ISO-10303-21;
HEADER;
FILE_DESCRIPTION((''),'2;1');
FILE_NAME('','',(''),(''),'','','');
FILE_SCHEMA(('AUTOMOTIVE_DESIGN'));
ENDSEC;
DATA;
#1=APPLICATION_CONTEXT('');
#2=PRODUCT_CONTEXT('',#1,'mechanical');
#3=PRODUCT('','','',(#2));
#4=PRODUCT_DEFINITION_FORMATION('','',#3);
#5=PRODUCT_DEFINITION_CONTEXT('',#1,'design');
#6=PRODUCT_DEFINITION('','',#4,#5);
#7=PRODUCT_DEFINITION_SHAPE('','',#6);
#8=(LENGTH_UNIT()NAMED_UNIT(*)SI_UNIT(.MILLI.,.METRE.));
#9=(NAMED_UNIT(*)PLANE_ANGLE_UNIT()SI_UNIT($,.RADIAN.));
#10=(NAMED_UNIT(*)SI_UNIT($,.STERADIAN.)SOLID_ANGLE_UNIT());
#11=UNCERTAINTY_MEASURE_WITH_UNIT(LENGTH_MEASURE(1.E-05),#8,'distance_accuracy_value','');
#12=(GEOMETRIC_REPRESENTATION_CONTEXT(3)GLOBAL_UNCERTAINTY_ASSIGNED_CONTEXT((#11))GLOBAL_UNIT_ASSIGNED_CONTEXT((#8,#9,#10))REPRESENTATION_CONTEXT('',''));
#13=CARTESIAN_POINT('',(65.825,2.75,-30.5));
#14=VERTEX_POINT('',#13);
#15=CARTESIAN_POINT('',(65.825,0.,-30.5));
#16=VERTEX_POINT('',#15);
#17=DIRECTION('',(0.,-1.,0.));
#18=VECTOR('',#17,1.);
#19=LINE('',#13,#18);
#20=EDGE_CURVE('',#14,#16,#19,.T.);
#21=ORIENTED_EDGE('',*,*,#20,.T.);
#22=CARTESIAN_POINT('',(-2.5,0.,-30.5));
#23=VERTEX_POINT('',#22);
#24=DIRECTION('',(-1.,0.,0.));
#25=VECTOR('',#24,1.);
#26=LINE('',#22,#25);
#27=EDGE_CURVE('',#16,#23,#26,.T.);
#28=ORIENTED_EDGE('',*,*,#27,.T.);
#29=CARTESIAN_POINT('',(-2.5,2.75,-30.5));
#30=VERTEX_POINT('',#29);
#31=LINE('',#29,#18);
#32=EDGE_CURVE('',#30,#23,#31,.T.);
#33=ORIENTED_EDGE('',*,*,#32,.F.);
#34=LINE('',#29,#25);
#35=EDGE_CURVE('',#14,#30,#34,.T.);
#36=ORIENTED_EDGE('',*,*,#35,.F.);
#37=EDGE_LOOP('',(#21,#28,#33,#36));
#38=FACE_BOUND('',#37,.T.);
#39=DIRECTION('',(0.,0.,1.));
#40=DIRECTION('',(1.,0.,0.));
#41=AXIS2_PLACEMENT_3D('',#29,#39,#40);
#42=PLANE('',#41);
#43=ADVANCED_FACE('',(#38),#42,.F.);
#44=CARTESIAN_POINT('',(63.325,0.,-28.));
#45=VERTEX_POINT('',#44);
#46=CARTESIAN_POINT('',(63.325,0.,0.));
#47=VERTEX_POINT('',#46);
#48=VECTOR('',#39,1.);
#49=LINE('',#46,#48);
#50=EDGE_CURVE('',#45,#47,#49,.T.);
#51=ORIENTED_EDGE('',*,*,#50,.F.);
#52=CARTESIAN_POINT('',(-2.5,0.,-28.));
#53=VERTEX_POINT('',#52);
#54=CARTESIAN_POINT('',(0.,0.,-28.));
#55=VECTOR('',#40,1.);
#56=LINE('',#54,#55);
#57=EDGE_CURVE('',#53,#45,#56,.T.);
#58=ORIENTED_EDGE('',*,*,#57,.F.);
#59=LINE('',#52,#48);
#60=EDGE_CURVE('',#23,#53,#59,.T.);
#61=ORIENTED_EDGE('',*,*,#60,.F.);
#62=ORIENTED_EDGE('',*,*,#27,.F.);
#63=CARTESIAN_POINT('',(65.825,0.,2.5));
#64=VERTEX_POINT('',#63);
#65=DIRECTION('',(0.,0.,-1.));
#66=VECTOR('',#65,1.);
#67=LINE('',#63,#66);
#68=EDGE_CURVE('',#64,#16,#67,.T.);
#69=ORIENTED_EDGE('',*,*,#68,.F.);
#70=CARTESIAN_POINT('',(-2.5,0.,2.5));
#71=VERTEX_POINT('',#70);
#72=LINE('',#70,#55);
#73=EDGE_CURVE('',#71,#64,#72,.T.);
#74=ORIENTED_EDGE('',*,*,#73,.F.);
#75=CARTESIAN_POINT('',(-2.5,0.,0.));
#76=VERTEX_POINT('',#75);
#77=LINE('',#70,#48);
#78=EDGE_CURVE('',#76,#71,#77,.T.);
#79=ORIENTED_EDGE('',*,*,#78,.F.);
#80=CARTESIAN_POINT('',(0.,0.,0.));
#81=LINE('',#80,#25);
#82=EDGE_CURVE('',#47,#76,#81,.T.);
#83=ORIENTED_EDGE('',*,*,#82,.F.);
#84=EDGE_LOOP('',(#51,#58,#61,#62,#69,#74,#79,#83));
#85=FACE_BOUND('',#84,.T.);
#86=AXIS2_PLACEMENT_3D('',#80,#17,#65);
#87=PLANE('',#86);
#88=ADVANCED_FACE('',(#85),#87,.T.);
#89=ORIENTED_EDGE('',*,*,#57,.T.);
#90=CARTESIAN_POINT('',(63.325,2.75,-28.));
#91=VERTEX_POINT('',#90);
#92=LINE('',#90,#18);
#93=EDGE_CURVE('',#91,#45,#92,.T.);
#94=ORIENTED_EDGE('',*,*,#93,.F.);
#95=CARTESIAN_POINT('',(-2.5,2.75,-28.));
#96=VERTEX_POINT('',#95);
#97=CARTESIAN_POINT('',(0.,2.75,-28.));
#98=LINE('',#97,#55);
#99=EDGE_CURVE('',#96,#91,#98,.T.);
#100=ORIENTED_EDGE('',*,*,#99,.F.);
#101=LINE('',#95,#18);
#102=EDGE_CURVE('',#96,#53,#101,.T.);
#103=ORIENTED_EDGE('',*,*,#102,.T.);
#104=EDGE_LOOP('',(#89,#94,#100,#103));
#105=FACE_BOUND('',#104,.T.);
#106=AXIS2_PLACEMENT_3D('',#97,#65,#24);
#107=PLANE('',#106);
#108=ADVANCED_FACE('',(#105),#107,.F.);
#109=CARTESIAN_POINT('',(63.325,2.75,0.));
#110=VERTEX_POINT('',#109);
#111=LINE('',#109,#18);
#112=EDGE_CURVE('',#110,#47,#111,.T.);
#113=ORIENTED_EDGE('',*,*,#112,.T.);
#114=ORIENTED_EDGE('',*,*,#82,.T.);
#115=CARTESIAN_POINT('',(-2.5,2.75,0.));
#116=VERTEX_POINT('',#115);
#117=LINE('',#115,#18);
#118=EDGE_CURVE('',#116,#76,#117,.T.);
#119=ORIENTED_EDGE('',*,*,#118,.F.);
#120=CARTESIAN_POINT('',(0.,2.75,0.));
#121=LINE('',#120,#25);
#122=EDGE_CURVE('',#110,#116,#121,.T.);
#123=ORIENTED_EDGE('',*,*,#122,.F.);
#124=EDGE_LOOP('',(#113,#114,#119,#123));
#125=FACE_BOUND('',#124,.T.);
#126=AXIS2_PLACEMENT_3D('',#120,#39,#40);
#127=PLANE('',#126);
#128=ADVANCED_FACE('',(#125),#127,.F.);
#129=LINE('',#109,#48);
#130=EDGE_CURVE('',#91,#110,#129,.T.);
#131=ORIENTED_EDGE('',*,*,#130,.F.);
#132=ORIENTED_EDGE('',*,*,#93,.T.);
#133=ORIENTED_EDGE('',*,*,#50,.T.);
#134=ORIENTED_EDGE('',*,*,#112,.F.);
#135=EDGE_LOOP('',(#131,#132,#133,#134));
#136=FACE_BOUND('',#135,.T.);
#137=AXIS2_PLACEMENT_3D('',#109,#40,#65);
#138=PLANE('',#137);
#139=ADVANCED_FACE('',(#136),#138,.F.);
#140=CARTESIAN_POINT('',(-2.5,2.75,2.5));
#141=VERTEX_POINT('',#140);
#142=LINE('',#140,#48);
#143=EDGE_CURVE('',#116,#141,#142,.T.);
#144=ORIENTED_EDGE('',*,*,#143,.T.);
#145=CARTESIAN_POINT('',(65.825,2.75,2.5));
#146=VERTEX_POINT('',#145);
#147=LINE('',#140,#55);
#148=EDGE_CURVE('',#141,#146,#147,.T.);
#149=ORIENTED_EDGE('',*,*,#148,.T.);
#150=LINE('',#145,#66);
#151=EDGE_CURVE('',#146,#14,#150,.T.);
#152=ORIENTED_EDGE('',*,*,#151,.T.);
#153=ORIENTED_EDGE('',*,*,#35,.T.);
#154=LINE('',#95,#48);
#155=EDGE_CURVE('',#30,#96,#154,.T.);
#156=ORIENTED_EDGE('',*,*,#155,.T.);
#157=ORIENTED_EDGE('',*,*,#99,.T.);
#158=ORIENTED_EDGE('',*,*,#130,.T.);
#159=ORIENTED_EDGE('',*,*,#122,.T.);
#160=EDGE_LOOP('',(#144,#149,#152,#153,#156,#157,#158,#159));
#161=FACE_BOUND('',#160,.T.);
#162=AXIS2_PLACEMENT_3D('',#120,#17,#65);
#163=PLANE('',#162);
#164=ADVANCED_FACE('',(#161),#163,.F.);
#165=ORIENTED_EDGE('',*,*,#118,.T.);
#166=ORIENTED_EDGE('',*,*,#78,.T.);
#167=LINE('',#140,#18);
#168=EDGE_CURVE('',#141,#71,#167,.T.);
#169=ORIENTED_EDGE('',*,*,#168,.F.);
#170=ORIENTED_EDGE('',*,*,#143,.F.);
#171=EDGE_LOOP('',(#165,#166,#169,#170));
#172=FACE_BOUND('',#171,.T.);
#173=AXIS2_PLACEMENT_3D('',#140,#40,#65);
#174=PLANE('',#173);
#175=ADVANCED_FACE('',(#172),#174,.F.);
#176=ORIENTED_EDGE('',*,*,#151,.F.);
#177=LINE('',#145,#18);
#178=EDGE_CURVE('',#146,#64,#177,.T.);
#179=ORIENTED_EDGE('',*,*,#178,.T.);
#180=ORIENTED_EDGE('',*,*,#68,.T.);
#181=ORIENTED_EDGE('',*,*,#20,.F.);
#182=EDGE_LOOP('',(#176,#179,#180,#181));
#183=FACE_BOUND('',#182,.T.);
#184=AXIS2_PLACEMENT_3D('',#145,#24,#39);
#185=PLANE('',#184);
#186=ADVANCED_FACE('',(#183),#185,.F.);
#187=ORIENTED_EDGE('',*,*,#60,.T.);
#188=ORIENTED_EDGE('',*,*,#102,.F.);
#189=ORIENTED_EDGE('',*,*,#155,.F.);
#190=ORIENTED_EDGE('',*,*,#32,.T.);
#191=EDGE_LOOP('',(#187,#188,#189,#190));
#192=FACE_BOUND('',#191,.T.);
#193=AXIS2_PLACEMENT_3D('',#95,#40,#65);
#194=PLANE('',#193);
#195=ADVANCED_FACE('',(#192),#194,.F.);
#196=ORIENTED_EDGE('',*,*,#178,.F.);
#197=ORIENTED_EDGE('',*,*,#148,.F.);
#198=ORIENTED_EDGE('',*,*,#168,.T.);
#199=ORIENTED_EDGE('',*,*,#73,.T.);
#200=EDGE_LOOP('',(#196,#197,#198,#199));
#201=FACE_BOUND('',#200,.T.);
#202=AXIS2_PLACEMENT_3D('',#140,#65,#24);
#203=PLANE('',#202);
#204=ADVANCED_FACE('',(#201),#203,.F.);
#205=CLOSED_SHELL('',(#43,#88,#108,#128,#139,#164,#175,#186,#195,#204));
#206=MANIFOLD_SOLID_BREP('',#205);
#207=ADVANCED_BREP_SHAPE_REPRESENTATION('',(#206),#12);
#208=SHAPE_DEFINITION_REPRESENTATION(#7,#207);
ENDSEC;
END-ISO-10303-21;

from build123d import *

# Parameters (mm, degrees)
BOSS_EXTRUDE1_DEPTH = 2.75


with BuildPart() as part:
    # Sketch1 → Boss-Extrude1 (new body)
    with BuildSketch(Plane(origin=(0, 0, 0), x_dir=(1, 0, 0), z_dir=(0, 1, 0))):
        Polygon((-2.5, -2.5), (-2.5, 0), (0, 0), (63.325, 0), (63.325, 28), (0, 28), (-2.5, 28), (-2.5, 30.5), (65.825, 30.5), (65.825, -2.5), align=None)
    extrude(amount=BOSS_EXTRUDE1_DEPTH)


solid = part.part
